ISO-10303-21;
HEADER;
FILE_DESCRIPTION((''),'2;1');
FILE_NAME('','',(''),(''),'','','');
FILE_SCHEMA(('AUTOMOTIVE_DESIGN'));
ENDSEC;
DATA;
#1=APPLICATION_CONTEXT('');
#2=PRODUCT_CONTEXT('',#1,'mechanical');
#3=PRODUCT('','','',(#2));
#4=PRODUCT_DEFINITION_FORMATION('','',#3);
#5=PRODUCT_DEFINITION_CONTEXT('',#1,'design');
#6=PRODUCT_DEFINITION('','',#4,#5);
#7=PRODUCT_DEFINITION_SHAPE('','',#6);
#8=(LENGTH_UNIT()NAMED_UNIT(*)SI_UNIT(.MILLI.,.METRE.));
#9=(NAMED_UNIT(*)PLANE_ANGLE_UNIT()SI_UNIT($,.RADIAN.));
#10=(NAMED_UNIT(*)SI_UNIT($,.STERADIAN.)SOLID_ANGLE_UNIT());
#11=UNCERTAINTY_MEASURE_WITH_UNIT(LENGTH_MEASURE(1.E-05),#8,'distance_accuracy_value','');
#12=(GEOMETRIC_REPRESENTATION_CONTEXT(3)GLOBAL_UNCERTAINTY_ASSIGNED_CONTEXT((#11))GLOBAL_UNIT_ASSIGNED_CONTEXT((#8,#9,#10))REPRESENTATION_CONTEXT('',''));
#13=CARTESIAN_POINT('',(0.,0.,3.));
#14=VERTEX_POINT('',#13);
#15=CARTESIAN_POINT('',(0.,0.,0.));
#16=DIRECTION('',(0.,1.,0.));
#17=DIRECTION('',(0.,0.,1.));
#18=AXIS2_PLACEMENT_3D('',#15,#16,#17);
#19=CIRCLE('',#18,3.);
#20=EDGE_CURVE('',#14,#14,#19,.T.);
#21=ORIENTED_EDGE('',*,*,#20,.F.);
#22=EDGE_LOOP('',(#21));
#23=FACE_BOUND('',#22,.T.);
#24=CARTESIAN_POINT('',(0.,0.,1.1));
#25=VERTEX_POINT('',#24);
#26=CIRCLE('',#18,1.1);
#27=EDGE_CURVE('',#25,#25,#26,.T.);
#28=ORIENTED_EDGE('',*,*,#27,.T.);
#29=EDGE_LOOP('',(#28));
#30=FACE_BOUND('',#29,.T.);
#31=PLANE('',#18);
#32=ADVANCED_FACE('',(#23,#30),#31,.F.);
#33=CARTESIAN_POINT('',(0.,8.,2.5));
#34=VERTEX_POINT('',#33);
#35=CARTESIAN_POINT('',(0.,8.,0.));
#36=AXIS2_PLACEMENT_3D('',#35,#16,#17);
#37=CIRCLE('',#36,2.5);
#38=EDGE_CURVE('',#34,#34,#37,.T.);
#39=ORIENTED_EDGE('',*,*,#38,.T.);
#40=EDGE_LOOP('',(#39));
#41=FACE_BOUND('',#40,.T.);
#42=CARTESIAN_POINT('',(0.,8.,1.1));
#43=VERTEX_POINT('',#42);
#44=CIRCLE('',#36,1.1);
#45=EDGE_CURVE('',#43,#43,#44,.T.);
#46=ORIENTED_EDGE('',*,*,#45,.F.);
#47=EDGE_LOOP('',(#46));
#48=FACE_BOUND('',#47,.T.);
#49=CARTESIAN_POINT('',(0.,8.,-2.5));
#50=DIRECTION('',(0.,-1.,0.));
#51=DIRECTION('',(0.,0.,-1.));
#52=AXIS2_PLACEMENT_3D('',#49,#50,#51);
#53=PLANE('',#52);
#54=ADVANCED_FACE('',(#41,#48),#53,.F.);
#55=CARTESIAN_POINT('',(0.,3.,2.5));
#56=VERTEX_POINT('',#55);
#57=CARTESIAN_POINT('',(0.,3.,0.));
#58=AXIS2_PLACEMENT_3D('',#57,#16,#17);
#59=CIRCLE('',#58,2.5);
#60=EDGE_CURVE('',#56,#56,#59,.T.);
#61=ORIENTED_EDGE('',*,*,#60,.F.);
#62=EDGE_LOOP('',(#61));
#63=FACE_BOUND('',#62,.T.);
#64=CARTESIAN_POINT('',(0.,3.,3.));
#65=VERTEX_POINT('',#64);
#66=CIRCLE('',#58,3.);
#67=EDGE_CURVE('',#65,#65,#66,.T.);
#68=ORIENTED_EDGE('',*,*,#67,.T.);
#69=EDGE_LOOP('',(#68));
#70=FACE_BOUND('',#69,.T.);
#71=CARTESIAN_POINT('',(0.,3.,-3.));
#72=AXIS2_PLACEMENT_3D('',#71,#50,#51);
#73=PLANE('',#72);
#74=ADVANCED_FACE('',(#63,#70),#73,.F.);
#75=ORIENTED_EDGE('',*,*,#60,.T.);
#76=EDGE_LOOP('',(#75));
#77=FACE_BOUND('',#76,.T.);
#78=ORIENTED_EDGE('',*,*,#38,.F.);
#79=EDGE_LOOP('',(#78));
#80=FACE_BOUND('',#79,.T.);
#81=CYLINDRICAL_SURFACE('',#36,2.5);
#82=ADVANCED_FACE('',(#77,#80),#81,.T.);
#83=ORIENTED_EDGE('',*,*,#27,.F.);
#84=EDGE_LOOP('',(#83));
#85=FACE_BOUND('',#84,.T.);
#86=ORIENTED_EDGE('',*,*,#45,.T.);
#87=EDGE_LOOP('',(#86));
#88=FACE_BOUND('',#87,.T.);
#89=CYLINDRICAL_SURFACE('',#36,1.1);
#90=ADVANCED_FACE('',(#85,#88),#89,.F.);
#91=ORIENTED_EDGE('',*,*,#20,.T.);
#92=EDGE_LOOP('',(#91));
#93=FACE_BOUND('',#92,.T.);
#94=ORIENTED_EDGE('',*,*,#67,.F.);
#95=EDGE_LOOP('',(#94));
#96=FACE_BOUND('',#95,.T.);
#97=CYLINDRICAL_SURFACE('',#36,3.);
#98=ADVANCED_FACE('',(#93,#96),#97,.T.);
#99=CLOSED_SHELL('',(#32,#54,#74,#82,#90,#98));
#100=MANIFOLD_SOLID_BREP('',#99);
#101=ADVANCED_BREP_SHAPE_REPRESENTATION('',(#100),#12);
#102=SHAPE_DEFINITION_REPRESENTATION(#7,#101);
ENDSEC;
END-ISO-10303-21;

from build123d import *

# Parameters (mm, degrees)
F_1_0MM_1_D = 2.2


with BuildPart() as part:
    # 草圖1 → 旋轉1 (revolve)
    with BuildSketch(Plane(origin=(0, 0, 0), x_dir=(0, 0, -1), z_dir=(1, 0, 0)), mode=Mode.PRIVATE) as revolve_1_sk:
        Polygon((0, 0), (3, 0), (3, 3), (2.5, 3), (2.5, 8), (0, 8), align=None)
    revolve(revolve_1_sk.sketch.rotate(Axis((0, 8, 0), (0, -1, 0)), 180), axis=Axis((0, 8, 0), (0, -1, 0)))

    # Ø1.0mm 定位孔1 (through all)
    with Locations(Plane(origin=(0, 8, 0), x_dir=(1, 0, 0), z_dir=(0, 1, 0))):
        with Locations((0, 0)):
            Hole(F_1_0MM_1_D / 2)


solid = part.part
